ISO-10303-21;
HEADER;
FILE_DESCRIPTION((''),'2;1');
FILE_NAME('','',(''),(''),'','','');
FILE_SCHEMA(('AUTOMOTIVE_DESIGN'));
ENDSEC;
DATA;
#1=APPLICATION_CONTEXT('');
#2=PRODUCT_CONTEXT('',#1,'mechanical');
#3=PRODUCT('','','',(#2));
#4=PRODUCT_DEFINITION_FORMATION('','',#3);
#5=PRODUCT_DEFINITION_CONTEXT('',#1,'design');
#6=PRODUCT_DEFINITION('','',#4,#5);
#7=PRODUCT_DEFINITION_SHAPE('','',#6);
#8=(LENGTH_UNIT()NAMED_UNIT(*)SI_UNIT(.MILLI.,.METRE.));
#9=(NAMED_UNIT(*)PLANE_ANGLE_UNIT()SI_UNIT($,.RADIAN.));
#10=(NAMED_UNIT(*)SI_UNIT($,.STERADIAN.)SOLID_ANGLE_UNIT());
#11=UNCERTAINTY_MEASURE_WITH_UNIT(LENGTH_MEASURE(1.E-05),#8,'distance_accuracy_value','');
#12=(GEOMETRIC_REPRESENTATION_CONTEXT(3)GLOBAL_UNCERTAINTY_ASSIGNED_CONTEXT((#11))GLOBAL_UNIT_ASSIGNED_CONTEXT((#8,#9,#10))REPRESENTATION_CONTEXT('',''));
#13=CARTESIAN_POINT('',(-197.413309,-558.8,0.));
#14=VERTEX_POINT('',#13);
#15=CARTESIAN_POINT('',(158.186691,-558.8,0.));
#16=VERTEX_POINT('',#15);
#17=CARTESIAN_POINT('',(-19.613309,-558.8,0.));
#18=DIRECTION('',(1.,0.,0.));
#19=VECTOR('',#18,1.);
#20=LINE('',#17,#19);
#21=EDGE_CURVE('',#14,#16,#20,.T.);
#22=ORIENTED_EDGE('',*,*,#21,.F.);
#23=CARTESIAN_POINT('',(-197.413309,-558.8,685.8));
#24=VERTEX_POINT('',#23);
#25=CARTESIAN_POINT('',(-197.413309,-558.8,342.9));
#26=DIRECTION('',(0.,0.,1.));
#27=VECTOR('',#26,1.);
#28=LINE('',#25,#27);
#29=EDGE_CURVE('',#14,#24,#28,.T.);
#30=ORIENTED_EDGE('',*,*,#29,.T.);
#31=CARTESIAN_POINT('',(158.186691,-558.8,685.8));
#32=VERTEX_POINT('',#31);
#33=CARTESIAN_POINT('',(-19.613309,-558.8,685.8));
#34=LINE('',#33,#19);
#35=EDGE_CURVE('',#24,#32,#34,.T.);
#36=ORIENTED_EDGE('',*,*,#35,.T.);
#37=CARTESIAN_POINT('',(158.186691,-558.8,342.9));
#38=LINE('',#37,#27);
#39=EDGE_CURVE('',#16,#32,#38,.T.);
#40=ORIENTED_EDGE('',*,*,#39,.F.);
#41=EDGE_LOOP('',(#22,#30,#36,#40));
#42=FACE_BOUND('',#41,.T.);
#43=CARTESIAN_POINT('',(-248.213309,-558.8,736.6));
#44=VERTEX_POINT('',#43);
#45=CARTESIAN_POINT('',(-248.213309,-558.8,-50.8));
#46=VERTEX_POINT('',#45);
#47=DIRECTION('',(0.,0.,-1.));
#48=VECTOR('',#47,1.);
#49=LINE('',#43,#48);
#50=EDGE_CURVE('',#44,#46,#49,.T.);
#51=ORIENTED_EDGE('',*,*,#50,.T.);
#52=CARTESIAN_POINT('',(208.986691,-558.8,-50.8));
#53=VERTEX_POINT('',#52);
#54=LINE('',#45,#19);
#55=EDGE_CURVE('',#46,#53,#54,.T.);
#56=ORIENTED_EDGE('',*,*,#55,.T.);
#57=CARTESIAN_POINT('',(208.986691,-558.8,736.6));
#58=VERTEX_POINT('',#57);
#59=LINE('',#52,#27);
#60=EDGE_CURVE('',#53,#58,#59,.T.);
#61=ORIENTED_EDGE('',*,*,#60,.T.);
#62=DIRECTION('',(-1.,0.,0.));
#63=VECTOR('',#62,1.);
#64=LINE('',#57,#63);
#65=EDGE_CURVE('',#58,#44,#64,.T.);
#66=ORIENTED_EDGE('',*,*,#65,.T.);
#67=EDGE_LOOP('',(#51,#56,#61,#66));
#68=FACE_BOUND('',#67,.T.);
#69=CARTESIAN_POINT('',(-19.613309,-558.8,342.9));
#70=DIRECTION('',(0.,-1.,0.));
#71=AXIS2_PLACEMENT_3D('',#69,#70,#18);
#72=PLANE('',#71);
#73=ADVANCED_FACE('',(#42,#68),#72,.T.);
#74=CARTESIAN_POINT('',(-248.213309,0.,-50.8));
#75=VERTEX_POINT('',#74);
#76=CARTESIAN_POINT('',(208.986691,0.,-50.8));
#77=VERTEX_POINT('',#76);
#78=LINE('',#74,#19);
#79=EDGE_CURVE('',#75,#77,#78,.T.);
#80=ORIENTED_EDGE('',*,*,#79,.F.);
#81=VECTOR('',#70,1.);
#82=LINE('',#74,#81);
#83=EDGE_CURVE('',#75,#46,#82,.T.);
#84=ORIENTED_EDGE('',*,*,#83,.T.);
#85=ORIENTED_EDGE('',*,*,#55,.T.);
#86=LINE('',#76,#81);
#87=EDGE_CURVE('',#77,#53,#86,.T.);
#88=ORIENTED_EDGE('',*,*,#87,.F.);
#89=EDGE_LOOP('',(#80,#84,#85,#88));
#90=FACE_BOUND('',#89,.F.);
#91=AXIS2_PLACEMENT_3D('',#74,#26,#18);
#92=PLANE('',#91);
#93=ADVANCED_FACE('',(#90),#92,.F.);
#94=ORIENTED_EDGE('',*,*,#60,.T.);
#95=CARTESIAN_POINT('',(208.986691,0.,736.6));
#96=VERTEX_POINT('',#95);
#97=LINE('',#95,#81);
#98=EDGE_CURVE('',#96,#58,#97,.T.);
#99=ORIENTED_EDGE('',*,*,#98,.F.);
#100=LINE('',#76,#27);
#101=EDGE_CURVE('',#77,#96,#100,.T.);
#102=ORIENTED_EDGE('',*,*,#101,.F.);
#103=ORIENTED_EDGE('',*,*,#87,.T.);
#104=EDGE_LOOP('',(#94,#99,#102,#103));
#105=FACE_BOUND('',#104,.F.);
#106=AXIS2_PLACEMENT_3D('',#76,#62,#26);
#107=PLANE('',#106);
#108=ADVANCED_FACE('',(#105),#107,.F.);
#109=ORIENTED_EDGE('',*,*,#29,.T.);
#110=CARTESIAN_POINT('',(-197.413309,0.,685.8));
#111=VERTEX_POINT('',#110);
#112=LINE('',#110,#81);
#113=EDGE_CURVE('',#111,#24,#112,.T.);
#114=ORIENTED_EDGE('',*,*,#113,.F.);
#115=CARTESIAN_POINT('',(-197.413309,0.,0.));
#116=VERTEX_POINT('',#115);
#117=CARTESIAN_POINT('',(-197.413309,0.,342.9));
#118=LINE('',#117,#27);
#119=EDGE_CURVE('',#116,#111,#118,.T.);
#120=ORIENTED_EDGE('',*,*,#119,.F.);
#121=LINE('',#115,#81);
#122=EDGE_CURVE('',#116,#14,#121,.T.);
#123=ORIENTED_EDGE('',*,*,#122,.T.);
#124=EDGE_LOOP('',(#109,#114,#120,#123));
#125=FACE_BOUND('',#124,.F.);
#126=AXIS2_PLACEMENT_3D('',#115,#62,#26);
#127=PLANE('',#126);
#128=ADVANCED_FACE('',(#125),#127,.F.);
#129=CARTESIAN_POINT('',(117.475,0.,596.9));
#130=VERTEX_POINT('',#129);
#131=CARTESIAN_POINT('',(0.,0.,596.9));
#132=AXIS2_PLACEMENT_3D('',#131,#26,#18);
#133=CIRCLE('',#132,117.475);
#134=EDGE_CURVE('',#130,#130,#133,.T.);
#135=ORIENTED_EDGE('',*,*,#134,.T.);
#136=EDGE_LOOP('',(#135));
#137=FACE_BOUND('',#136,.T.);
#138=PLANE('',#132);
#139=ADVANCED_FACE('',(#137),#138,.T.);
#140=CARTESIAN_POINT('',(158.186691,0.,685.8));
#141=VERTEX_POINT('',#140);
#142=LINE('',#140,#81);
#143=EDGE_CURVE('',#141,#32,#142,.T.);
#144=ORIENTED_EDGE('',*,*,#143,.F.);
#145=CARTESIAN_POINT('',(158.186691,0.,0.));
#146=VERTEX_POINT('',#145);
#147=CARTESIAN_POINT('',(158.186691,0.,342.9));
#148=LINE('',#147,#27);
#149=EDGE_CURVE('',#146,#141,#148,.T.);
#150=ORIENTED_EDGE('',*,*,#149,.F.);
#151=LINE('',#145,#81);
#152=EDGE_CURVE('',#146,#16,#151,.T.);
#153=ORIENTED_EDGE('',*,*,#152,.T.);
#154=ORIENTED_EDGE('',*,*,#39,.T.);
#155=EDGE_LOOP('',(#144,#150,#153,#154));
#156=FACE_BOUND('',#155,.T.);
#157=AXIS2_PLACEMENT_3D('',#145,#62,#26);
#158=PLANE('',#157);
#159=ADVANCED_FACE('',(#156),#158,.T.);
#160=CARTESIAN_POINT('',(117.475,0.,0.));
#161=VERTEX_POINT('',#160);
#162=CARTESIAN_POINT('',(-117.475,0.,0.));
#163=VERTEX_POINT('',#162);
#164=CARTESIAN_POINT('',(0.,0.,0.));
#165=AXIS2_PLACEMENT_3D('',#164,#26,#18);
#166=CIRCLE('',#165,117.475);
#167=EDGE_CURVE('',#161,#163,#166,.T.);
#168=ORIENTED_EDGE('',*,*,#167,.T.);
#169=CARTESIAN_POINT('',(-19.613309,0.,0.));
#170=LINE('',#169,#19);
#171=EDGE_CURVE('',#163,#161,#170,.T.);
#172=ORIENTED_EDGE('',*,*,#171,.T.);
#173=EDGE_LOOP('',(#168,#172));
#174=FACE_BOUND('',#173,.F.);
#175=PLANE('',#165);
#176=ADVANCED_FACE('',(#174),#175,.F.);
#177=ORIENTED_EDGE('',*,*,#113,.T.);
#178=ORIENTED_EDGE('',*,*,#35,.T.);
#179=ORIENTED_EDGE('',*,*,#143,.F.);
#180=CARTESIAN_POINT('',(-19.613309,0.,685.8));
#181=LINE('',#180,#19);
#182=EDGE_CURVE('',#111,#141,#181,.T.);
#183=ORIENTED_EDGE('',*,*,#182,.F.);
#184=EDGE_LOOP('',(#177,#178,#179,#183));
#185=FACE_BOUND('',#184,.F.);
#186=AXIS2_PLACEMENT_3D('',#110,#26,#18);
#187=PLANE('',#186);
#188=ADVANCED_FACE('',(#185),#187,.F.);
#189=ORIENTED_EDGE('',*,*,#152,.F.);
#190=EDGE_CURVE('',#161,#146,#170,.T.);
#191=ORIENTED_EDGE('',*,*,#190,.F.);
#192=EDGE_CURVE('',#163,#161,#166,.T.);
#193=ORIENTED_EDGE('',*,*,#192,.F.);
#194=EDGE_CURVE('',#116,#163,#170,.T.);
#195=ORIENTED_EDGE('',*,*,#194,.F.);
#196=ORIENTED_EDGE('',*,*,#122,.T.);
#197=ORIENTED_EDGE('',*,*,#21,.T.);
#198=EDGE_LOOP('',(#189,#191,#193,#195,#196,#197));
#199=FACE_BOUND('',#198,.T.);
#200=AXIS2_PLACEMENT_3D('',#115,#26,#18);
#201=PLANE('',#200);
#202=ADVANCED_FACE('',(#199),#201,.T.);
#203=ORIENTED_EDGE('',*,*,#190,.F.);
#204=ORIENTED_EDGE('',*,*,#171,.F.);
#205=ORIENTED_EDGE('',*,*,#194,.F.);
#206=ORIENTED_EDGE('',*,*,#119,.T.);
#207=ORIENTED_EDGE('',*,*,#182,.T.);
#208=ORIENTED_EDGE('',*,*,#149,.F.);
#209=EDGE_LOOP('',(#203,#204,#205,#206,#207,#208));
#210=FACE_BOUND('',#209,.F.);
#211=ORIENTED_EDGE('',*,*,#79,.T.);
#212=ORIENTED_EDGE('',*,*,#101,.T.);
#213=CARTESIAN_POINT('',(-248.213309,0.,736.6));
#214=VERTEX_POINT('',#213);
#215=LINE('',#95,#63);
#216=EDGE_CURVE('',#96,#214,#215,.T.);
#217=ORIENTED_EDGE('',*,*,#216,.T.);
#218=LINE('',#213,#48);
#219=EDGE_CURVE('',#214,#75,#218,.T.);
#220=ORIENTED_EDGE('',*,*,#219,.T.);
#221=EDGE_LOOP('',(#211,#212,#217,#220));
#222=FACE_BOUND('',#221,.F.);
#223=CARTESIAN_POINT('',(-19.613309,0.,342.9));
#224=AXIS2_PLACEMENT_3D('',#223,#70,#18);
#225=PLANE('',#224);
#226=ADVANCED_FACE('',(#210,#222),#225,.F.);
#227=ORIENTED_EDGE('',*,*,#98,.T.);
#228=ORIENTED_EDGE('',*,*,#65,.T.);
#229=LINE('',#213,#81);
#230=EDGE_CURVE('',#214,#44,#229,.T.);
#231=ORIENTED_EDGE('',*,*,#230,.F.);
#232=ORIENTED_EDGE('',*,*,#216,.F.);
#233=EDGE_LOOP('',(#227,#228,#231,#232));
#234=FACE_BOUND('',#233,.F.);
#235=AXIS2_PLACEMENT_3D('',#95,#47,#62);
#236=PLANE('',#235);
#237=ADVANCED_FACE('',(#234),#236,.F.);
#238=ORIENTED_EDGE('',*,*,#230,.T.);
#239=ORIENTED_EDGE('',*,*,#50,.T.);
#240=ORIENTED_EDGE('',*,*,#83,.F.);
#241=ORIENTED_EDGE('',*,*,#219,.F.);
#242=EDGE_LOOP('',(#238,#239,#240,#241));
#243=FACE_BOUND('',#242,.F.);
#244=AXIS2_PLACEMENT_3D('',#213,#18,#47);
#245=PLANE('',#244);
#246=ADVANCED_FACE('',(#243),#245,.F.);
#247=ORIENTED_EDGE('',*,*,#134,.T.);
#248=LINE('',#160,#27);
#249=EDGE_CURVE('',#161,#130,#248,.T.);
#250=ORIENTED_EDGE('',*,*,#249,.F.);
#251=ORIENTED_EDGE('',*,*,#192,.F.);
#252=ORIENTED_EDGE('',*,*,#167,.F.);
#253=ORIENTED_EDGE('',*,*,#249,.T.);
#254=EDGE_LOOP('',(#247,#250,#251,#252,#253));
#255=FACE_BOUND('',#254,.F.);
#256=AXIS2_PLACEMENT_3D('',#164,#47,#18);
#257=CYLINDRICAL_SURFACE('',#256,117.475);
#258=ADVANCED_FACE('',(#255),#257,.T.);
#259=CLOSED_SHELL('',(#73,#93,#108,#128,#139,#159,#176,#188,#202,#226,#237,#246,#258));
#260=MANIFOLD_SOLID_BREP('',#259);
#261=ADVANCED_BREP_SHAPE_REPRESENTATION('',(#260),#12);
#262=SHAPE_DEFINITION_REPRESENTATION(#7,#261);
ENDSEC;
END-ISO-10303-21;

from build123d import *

# Parameters (mm, degrees)
F0_R     = 117.475
F1_DEPTH = 596.9
F2_W     = 355.6
F2_H     = 685.8
F3_DEPTH = 558.8


with BuildPart() as f1:
    # F0 (on Top) → F1 (new body)
    with BuildSketch(Plane.XY):
        Circle(F0_R)
    extrude(amount=F1_DEPTH)

    # F2 (on Front) → F3 (join)
    with BuildSketch(Plane.XZ):
        Polygon((208.986691, -50.8), (208.986691, 0), (208.986691, 736.6), (-248.213309, 736.6), (-248.213309, -50.8), align=None)
        with Locations((-19.613309, 342.9)):
            Rectangle(F2_W, F2_H, mode=Mode.SUBTRACT)
    extrude(amount=F3_DEPTH)


solid = f1.part
